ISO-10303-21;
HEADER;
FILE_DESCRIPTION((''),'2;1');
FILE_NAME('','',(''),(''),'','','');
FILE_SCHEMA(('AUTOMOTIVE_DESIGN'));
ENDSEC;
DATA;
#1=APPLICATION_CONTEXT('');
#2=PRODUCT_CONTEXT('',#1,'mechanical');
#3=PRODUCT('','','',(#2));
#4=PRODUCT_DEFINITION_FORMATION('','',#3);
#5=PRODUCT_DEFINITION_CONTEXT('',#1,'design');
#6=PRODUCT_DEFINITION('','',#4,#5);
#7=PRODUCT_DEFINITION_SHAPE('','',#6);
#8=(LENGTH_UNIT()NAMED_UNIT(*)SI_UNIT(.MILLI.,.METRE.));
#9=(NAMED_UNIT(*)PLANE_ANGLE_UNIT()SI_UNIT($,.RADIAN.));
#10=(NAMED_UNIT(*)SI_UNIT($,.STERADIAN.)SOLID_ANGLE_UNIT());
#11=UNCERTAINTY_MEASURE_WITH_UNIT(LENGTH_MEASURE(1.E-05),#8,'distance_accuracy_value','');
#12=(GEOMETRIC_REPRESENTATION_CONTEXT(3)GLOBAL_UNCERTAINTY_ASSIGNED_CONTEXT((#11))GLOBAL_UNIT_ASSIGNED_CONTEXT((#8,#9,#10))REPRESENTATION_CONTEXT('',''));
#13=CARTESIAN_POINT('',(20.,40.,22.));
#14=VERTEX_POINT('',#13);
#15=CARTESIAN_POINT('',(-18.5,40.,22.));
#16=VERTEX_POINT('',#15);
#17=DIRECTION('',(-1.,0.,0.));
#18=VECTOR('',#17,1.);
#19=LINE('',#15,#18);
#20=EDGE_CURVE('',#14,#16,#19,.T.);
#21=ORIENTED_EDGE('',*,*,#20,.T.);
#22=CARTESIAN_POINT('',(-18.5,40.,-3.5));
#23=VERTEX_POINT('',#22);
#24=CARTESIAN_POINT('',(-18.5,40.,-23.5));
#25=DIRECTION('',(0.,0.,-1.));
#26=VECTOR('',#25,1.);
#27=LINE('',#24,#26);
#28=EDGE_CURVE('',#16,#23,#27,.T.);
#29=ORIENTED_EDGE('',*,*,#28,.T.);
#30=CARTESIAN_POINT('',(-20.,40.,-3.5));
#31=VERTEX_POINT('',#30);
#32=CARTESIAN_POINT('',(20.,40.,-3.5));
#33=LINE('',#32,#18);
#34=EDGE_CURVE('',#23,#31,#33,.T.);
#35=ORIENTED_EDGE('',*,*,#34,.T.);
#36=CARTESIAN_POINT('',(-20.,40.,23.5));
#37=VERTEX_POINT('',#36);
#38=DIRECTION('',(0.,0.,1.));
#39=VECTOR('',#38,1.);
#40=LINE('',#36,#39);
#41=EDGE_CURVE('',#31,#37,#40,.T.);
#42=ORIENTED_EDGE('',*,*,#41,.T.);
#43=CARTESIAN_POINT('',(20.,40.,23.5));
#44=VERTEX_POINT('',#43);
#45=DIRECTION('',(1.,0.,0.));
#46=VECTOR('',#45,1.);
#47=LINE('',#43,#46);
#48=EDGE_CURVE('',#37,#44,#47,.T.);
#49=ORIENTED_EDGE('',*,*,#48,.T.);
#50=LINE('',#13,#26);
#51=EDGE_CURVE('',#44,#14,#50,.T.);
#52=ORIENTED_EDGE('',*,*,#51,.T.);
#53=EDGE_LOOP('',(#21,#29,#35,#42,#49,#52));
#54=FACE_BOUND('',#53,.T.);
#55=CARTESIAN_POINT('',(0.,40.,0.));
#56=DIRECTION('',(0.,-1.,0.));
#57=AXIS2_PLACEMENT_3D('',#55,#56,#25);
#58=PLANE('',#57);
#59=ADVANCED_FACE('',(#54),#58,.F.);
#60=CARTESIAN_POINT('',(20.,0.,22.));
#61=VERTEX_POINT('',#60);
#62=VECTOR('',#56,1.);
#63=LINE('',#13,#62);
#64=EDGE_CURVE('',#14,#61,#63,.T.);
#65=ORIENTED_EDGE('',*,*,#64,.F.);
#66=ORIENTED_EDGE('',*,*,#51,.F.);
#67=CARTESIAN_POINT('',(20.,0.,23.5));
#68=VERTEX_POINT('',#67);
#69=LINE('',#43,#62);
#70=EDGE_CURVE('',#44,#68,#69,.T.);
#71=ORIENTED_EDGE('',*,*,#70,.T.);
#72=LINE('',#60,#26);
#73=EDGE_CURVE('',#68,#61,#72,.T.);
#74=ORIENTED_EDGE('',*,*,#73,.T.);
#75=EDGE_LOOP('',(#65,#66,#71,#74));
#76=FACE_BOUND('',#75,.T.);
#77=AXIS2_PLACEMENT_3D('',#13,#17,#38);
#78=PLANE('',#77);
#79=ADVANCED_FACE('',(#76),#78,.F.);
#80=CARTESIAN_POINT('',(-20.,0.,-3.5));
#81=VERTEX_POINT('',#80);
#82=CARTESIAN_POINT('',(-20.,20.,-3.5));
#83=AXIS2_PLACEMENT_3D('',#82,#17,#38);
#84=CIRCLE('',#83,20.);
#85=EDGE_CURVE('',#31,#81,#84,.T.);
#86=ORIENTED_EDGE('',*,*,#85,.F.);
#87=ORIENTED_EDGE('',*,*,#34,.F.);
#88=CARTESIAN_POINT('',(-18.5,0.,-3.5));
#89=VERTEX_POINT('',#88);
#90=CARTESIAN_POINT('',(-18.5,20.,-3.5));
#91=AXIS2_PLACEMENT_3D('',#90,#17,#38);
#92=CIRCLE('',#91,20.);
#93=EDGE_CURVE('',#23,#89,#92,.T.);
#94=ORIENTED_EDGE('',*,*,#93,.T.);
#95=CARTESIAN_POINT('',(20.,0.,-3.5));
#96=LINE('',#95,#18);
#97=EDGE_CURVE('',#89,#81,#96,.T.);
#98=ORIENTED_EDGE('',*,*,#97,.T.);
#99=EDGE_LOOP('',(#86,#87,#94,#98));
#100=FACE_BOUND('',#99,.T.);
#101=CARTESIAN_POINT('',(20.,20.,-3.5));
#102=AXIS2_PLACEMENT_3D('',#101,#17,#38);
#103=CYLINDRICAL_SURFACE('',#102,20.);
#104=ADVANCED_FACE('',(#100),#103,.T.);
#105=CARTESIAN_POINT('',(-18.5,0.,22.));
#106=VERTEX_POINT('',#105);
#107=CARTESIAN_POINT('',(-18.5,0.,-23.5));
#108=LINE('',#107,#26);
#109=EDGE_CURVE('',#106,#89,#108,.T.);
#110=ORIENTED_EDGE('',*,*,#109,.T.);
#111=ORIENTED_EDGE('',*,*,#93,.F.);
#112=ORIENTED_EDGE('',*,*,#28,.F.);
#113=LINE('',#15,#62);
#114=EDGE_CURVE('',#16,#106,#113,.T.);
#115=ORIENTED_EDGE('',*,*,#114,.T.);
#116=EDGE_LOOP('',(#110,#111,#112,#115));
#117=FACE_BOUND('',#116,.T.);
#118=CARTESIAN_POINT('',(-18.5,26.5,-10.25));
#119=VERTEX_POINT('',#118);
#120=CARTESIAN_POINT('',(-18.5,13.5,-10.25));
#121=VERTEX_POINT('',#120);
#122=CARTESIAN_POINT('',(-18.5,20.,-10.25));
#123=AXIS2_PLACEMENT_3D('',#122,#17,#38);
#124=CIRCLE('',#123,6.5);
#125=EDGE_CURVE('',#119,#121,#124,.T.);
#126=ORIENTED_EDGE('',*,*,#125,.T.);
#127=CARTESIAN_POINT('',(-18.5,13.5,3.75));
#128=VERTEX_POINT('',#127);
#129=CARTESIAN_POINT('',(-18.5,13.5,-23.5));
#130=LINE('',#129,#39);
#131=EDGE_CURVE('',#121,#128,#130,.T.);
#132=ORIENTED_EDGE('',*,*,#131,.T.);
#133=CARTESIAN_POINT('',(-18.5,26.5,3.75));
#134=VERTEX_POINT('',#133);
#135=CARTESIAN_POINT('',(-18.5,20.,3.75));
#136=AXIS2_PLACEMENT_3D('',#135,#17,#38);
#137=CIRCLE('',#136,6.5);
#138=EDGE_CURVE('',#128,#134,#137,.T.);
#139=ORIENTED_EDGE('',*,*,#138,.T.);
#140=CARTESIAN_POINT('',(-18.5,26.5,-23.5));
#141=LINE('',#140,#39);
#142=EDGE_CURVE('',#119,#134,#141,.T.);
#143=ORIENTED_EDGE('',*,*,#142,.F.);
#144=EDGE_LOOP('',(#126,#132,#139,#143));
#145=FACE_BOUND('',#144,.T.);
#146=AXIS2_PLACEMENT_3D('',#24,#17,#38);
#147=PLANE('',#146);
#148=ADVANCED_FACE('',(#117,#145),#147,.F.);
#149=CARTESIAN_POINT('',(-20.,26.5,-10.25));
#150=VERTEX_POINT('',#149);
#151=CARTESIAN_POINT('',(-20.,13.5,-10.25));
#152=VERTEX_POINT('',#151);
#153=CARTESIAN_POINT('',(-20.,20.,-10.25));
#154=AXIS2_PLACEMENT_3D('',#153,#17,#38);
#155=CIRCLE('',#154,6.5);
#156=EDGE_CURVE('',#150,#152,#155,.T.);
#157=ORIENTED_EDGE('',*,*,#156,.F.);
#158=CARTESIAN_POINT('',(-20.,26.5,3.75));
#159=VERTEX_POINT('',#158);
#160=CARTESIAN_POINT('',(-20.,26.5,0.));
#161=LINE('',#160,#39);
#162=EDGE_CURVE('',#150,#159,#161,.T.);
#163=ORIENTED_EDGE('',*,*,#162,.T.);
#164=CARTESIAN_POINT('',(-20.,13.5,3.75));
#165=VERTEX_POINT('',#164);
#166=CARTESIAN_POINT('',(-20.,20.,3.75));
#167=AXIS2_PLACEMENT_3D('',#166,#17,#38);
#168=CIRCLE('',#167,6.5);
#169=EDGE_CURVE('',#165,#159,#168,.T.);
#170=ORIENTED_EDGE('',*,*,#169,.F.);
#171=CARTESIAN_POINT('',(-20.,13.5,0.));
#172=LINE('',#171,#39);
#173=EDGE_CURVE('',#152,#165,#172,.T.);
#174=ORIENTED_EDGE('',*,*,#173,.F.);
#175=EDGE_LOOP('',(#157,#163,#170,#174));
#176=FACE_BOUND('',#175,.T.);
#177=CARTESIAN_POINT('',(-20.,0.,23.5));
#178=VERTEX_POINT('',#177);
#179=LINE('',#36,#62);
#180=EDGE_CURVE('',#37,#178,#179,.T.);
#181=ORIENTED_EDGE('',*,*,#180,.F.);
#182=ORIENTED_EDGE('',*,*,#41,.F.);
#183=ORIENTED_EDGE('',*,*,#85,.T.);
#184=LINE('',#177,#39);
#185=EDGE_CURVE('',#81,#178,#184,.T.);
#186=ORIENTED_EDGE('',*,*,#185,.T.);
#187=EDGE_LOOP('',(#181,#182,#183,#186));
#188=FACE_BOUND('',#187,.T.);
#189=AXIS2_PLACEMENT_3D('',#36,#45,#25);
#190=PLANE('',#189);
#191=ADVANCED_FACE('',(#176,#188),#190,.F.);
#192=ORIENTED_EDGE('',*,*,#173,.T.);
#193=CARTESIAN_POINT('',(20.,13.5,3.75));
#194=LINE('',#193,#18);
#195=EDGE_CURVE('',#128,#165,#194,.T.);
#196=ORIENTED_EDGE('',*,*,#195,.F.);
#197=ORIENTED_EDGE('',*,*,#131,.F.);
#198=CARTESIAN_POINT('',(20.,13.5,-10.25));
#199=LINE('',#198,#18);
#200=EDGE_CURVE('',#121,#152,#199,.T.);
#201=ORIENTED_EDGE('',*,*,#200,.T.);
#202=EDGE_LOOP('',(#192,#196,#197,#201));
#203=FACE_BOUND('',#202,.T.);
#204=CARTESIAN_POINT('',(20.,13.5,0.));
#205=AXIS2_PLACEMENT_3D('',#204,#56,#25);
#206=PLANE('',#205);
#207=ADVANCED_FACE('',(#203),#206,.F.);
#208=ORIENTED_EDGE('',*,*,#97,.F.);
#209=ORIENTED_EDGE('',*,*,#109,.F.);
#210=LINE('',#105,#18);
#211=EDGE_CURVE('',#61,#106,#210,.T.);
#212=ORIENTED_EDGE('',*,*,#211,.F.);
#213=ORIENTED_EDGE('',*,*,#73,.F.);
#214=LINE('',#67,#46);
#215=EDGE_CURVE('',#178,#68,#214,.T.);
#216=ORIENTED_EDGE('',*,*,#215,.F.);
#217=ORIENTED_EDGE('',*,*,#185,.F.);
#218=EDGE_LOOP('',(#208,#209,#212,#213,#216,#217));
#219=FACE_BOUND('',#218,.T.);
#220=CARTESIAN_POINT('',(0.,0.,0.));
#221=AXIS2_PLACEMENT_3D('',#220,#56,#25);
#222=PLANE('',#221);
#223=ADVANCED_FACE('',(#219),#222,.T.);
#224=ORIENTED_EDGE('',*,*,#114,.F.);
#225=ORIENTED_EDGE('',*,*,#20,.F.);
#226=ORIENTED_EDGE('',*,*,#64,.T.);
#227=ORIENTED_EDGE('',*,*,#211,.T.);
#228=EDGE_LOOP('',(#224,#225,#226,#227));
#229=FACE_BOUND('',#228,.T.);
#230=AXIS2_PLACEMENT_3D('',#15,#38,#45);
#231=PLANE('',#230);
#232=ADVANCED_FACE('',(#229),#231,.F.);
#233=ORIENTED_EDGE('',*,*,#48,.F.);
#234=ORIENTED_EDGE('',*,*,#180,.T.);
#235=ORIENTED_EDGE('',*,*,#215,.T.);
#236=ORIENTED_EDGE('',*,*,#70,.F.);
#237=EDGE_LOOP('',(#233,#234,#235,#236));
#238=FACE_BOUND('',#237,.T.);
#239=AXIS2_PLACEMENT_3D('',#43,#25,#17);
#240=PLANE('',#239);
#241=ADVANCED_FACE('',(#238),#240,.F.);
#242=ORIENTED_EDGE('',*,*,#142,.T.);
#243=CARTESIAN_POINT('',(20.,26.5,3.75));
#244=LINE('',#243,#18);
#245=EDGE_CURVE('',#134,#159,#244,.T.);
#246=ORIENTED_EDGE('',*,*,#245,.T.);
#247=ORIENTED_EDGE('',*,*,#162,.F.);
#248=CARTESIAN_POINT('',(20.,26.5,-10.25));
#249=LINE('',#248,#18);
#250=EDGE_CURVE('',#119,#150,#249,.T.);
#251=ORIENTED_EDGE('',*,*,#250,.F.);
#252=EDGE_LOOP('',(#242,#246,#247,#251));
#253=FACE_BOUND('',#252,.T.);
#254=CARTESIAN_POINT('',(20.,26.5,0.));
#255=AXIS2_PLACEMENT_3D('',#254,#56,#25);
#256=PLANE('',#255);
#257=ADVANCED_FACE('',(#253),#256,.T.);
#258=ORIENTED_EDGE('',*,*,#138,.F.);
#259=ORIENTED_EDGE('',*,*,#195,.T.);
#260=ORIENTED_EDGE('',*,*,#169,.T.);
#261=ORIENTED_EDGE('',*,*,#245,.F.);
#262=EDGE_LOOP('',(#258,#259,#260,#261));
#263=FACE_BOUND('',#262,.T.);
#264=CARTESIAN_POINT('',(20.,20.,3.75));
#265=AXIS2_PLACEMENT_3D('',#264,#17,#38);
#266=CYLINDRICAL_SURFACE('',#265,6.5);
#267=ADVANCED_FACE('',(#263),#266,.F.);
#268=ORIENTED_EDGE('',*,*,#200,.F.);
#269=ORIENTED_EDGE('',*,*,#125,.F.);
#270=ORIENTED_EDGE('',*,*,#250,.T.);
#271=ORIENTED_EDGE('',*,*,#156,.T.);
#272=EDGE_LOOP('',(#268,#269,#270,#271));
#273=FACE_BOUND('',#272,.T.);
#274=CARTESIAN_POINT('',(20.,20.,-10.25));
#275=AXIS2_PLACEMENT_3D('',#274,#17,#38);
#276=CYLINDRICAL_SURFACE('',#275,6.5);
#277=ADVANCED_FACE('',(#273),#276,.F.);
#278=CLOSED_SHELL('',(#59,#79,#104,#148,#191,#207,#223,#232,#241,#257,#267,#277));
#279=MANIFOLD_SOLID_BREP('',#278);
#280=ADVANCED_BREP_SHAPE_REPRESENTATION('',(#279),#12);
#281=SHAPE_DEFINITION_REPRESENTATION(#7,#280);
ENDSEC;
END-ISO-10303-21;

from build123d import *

# Parameters (mm, degrees)
BOSS_EXTRUDE1_DEPTH = 40
CUT_EXTRUDE1_DEPTH  = 40


with BuildPart() as part:
    # Sketch1 → Boss-Extrude1 (new body)
    with BuildSketch(Plane(origin=(0, 0, 0), x_dir=(1, 0, 0), z_dir=(0, 1, 0))):
        Polygon((-18.5, 23.5), (-18.5, -22), (20, -22), (20, -23.5), (-20, -23.5), (-20, 23.5), align=None)
    extrude(amount=BOSS_EXTRUDE1_DEPTH)

    # Sketch2 → Cut-Extrude1 (cut)
    with BuildSketch(Plane.ZY.offset(20)):
        with BuildLine():
            Line((-23.5, 0), (-3.5, 0))
            ThreePointArc((-3.5, 0), (-17.642135624, 5.857864376), (-23.5, 20))
            Line((-23.5, 20), (-23.5, 0))
        make_face()
        with BuildLine():
            Line((-23.5, 40), (-23.5, 20))
            ThreePointArc((-23.5, 20), (-17.642135624, 34.142135624), (-3.5, 40))
            Line((-3.5, 40), (-23.5, 40))
        make_face()
        with BuildLine():
            Line((-10.25, 13.5), (3.75, 13.5))
            ThreePointArc((3.75, 13.5), (10.25, 20), (3.75, 26.5))
            Line((3.75, 26.5), (-10.25, 26.5))
            ThreePointArc((-10.25, 26.5), (-16.75, 20), (-10.25, 13.5))
        make_face()
    extrude(amount=-CUT_EXTRUDE1_DEPTH, mode=Mode.SUBTRACT)


solid = part.part
